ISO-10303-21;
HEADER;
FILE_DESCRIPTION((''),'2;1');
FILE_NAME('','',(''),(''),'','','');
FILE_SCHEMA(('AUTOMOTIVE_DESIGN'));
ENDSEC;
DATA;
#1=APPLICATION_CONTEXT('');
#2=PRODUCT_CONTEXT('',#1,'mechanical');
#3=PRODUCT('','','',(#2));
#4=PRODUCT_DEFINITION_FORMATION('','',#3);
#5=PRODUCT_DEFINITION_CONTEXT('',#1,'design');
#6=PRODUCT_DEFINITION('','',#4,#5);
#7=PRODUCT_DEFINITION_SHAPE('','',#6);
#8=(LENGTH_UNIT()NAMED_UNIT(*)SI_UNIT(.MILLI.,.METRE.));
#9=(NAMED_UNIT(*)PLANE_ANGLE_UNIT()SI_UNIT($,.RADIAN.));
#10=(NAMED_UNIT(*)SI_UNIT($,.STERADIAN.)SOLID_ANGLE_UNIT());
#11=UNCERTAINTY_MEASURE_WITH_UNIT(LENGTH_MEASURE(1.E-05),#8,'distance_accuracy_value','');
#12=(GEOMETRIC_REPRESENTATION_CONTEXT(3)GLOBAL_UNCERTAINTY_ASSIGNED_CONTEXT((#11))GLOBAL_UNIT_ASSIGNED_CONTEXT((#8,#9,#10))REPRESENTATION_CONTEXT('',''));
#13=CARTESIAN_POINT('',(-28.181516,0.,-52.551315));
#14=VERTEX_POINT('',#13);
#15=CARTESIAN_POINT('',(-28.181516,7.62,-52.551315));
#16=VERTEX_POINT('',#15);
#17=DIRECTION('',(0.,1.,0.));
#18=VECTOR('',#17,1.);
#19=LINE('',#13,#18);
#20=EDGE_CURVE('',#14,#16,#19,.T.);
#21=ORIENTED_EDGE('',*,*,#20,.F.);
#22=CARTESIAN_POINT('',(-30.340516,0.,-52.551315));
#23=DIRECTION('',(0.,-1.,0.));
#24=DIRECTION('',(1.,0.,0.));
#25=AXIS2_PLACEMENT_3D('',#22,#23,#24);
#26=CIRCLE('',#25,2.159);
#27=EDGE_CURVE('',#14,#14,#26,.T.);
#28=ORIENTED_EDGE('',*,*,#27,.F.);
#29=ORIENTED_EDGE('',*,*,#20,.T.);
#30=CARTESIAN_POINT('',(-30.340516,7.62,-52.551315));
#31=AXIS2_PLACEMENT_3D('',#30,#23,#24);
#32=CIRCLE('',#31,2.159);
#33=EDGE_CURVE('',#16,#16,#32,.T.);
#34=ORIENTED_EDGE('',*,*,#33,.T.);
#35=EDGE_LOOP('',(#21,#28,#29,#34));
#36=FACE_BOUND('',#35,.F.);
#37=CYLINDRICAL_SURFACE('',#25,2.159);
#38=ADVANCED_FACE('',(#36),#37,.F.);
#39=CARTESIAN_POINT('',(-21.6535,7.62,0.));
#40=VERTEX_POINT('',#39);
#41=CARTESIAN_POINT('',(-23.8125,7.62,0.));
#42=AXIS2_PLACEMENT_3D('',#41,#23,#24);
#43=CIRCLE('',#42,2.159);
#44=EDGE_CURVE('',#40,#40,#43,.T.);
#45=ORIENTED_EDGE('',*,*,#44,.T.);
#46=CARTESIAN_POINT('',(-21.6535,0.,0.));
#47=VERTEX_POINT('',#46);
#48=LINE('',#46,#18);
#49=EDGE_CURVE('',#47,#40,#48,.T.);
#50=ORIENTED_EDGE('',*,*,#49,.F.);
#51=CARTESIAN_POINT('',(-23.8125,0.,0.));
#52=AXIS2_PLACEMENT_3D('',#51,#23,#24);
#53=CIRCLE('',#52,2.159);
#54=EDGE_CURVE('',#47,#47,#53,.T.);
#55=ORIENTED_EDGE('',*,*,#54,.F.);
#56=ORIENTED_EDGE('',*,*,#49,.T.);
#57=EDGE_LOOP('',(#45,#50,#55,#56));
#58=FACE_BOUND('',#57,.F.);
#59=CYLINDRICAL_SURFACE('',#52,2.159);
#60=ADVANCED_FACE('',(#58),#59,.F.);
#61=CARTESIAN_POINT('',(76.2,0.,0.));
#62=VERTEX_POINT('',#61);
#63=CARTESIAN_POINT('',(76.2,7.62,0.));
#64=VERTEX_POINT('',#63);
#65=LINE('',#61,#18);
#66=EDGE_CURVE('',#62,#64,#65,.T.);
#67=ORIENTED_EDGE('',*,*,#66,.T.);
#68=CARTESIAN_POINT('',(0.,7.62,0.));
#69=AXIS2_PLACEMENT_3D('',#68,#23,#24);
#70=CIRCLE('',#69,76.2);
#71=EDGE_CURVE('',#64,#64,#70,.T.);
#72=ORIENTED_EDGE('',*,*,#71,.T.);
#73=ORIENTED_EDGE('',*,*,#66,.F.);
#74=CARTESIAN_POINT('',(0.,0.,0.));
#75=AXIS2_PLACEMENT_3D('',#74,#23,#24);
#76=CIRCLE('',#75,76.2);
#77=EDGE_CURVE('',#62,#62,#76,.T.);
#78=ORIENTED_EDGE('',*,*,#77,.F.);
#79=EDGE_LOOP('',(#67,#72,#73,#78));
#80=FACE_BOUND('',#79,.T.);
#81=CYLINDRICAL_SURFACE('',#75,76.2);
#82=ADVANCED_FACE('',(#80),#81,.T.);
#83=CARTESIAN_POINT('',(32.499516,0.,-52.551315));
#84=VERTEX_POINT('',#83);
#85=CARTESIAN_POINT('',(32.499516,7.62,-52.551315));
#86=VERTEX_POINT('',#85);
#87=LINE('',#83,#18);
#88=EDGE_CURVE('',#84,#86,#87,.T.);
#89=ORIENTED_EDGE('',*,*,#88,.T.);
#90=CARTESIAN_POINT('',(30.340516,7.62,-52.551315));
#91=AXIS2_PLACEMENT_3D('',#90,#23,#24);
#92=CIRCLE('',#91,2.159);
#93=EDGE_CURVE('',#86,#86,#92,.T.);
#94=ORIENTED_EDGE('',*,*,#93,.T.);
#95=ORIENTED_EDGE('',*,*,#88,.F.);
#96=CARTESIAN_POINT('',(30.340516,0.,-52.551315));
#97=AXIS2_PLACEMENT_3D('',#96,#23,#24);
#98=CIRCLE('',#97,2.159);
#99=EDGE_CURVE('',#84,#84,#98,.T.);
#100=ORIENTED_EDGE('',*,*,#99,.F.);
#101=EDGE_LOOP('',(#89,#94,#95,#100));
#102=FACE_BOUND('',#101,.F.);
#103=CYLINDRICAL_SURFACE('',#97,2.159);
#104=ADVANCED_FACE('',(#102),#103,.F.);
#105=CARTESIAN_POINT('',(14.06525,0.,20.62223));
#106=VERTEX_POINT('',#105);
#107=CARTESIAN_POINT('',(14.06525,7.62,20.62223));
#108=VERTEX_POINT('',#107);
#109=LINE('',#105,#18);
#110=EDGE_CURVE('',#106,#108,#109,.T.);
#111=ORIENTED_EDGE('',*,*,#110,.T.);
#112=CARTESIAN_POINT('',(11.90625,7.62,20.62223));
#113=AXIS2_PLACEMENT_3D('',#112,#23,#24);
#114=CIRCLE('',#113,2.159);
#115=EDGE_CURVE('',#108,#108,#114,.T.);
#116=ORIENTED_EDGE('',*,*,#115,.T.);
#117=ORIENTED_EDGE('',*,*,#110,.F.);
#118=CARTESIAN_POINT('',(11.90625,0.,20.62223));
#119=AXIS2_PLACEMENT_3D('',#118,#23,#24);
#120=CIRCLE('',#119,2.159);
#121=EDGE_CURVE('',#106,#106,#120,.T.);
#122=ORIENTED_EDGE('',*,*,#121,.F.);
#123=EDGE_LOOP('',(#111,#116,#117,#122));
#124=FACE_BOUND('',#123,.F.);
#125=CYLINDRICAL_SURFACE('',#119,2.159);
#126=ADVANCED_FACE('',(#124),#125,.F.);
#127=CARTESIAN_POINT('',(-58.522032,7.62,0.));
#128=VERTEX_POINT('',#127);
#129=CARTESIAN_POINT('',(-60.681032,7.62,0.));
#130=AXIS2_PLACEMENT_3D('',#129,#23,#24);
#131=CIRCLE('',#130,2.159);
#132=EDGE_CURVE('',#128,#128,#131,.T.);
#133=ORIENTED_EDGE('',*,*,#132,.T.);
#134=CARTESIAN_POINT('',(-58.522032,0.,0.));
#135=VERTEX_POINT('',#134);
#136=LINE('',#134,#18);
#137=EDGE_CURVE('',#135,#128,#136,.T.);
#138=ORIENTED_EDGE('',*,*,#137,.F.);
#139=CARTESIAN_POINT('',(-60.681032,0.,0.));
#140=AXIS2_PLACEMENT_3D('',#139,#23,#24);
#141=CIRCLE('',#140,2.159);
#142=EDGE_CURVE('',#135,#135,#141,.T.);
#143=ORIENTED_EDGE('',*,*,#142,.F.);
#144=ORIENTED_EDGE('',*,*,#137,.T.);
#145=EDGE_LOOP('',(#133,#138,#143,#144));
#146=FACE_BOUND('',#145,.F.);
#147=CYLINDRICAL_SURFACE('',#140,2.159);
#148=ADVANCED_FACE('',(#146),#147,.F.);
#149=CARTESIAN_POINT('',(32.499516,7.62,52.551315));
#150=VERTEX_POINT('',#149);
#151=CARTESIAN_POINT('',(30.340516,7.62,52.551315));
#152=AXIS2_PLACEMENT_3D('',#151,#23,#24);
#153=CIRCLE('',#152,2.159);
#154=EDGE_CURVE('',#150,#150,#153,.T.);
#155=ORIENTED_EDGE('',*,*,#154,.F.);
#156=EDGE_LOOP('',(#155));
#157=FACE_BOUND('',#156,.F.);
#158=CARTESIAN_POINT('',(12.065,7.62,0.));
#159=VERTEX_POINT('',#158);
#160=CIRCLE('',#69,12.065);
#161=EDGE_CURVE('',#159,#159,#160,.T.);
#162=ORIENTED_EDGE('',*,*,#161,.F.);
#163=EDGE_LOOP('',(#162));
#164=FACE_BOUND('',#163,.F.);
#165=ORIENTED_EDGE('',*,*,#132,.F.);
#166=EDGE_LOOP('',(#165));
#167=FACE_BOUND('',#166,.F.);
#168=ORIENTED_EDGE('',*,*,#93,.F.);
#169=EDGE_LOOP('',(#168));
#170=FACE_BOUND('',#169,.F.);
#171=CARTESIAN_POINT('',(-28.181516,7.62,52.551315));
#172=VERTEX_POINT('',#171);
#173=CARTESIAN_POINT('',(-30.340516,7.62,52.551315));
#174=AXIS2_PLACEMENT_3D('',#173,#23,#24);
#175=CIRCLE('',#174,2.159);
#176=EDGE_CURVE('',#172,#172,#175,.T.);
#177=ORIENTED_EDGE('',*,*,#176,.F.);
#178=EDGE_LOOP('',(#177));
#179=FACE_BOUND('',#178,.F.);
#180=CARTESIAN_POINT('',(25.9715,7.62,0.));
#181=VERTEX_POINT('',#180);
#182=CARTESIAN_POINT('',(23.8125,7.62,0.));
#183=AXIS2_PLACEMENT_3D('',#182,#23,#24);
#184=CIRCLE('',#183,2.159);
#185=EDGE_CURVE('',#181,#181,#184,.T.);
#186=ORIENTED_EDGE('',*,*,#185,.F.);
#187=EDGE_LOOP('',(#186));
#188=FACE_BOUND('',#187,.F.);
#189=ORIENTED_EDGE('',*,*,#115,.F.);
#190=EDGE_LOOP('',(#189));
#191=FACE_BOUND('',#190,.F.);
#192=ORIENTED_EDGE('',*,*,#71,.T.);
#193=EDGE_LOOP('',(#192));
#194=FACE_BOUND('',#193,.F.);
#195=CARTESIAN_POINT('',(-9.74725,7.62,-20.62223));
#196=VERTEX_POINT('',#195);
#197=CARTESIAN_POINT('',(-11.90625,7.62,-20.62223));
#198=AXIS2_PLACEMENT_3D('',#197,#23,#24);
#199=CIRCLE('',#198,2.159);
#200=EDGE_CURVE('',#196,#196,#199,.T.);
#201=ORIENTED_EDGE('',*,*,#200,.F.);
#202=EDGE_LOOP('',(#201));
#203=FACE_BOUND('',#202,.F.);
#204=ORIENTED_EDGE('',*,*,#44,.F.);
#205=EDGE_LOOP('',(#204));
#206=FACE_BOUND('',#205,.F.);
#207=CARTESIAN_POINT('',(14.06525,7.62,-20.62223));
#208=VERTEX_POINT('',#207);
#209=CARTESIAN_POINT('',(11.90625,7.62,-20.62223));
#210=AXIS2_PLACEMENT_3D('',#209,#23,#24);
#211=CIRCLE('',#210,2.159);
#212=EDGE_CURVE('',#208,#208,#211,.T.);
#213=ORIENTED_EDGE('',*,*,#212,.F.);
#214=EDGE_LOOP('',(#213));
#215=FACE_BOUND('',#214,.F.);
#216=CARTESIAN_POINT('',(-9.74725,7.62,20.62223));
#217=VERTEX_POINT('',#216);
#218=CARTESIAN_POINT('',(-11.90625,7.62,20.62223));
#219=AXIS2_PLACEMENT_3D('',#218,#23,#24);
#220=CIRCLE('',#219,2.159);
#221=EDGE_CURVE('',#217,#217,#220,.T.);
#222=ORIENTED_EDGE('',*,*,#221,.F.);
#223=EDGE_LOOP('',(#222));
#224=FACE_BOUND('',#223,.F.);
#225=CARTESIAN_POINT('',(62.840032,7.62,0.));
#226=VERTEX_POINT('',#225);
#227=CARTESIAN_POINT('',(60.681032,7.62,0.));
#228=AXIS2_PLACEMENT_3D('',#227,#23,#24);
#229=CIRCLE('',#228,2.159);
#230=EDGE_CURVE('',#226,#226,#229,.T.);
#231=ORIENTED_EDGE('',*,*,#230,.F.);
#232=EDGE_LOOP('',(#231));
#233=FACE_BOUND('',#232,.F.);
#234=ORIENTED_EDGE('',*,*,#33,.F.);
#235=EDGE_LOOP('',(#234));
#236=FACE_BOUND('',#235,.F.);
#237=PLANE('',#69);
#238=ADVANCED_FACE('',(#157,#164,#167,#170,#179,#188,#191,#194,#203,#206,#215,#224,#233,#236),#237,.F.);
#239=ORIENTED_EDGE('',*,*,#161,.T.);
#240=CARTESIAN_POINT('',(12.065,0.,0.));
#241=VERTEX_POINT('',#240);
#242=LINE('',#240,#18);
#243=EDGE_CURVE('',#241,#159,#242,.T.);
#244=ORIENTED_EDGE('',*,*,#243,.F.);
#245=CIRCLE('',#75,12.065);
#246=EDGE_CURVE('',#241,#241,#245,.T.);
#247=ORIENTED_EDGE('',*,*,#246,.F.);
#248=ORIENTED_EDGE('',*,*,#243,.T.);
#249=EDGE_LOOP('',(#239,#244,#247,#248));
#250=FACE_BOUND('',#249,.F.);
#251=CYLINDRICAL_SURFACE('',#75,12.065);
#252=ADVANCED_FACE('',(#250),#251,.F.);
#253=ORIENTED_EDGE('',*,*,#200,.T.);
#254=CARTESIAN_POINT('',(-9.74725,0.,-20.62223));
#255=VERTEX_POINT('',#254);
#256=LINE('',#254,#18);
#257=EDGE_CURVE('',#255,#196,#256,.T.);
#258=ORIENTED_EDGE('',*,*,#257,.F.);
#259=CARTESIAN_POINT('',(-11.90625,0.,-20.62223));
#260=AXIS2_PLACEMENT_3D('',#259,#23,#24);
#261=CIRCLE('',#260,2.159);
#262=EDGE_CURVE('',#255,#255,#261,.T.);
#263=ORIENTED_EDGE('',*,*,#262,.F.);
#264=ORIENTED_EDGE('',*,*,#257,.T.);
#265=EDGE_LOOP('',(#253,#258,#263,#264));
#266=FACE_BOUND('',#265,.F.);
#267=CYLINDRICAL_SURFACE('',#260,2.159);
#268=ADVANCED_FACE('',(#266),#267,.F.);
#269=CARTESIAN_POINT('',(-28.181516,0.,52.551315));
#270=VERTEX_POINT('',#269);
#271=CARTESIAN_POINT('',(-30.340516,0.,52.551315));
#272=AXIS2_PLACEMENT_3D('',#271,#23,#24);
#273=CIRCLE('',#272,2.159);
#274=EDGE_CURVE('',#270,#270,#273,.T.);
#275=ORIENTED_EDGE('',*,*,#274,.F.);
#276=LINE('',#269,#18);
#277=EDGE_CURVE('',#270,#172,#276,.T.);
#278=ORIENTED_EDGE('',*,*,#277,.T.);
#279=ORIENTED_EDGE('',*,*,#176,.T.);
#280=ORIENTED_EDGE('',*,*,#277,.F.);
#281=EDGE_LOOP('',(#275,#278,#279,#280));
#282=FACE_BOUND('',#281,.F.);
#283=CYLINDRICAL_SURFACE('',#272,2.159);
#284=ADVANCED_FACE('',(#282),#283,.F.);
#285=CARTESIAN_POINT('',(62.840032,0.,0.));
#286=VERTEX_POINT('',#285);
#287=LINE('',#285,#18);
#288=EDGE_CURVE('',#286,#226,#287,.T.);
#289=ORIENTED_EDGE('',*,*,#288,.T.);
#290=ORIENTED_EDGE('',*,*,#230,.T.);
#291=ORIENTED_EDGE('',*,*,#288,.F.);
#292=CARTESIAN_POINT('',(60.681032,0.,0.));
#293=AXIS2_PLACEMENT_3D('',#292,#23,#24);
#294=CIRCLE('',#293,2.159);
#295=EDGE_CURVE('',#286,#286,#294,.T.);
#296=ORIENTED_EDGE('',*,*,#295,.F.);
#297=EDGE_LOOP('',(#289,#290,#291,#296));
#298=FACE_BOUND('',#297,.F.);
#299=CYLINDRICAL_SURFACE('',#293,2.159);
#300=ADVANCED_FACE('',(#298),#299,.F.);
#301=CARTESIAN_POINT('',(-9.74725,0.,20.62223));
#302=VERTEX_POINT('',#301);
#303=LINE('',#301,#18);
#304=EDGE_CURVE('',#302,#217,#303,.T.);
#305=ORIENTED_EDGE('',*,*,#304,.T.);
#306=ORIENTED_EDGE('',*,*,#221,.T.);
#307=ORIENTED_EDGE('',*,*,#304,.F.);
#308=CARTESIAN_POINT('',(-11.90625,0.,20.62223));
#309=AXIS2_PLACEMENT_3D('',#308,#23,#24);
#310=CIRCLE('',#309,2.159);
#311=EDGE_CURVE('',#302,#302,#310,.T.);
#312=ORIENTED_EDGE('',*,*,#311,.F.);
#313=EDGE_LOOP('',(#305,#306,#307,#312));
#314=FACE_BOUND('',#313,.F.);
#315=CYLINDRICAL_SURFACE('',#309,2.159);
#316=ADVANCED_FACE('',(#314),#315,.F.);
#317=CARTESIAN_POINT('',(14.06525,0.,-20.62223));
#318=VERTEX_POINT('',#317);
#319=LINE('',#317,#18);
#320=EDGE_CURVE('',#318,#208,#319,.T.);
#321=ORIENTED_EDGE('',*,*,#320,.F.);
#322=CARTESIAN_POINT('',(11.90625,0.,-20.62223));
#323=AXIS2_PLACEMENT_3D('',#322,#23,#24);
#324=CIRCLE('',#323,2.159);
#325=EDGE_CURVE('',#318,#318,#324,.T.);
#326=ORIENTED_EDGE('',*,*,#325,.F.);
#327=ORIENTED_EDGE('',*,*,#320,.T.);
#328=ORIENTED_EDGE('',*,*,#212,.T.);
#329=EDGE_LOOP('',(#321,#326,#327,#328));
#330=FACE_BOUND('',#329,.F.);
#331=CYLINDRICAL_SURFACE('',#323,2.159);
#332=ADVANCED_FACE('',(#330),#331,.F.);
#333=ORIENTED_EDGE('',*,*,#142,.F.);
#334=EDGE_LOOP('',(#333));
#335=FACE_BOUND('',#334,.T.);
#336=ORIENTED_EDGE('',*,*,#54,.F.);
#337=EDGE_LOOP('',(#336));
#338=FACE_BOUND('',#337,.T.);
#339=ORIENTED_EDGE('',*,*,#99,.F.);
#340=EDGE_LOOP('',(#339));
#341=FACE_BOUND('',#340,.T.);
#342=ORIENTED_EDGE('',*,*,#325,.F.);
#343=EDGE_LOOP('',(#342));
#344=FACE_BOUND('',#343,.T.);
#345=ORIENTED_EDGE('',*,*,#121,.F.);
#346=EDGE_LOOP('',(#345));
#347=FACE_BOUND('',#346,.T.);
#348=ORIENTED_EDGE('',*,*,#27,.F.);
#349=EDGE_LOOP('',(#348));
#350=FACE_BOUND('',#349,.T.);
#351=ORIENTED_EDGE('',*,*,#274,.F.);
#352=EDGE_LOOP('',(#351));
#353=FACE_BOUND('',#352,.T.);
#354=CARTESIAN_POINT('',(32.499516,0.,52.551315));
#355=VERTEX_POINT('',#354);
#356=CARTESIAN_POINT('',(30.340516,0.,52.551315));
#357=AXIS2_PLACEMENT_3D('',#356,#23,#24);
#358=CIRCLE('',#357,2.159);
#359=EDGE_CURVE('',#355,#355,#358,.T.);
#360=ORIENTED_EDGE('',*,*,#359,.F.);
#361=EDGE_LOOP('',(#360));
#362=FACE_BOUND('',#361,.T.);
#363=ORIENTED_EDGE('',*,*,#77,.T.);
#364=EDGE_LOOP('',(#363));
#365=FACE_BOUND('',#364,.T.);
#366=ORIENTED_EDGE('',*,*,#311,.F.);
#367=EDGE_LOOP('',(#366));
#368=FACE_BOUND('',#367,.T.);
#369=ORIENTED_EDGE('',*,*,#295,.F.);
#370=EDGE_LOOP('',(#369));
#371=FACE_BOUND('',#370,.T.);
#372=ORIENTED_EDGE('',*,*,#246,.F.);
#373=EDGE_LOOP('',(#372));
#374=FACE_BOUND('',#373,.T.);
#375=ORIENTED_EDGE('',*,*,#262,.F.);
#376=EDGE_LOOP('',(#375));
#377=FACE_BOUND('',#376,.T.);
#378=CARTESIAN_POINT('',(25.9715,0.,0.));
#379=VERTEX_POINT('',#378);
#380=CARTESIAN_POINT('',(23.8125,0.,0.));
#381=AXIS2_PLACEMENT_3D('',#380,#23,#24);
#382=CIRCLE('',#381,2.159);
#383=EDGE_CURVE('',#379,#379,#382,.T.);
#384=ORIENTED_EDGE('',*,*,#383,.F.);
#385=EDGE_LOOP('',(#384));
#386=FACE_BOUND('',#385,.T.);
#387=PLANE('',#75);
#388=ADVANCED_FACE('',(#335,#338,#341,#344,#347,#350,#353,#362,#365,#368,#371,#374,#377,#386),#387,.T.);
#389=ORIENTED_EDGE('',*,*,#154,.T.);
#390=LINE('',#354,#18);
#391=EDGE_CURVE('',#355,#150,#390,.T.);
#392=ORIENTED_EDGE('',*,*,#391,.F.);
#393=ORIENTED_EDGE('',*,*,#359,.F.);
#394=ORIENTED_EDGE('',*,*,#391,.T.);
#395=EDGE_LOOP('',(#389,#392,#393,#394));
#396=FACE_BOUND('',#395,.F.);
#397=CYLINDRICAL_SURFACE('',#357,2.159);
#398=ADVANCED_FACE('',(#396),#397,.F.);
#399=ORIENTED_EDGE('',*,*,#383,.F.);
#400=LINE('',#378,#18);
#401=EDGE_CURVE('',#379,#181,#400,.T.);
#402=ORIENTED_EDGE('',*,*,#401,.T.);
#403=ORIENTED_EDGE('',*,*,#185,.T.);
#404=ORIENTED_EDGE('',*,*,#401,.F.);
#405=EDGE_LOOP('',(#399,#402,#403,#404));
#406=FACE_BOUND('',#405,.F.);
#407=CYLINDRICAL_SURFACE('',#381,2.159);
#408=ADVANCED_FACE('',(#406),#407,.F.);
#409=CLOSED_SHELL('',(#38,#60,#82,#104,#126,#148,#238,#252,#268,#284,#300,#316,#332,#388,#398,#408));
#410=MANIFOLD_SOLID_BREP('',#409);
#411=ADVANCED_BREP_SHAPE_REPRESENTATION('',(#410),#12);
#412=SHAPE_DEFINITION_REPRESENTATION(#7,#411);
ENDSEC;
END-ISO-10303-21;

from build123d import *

# Parameters (mm, degrees)
F0_R     = 76.2
F0_R_2   = 2.159
F0_R_3   = 12.065
F1_DEPTH = 7.62


with BuildPart() as f1:
    # F0 (on Front) → F1 (new body)
    with BuildSketch(Plane.XZ):
        Circle(F0_R)
        with Locations((-30.340516, -52.551315)):
            Circle(F0_R_2, mode=Mode.SUBTRACT)
        with Locations((-11.90625, -20.62223)):
            Circle(F0_R_2, mode=Mode.SUBTRACT)
        with Locations((30.340516, -52.551315)):
            Circle(F0_R_2, mode=Mode.SUBTRACT)
        with Locations((11.90625, -20.62223)):
            Circle(F0_R_2, mode=Mode.SUBTRACT)
        with Locations((-60.681032, 0)):
            Circle(F0_R_2, mode=Mode.SUBTRACT)
        with Locations((-23.8125, 0)):
            Circle(F0_R_2, mode=Mode.SUBTRACT)
        with Locations((-11.90625, 20.62223)):
            Circle(F0_R_2, mode=Mode.SUBTRACT)
        with Locations((-30.340516, 52.551315)):
            Circle(F0_R_2, mode=Mode.SUBTRACT)
        Circle(F0_R_3, mode=Mode.SUBTRACT)
        with Locations((23.8125, 0)):
            Circle(F0_R_2, mode=Mode.SUBTRACT)
        with Locations((11.90625, 20.62223)):
            Circle(F0_R_2, mode=Mode.SUBTRACT)
        with Locations((60.681032, 0)):
            Circle(F0_R_2, mode=Mode.SUBTRACT)
        with Locations((30.340516, 52.551315)):
            Circle(F0_R_2, mode=Mode.SUBTRACT)
    extrude(amount=-F1_DEPTH)


solid = f1.part
